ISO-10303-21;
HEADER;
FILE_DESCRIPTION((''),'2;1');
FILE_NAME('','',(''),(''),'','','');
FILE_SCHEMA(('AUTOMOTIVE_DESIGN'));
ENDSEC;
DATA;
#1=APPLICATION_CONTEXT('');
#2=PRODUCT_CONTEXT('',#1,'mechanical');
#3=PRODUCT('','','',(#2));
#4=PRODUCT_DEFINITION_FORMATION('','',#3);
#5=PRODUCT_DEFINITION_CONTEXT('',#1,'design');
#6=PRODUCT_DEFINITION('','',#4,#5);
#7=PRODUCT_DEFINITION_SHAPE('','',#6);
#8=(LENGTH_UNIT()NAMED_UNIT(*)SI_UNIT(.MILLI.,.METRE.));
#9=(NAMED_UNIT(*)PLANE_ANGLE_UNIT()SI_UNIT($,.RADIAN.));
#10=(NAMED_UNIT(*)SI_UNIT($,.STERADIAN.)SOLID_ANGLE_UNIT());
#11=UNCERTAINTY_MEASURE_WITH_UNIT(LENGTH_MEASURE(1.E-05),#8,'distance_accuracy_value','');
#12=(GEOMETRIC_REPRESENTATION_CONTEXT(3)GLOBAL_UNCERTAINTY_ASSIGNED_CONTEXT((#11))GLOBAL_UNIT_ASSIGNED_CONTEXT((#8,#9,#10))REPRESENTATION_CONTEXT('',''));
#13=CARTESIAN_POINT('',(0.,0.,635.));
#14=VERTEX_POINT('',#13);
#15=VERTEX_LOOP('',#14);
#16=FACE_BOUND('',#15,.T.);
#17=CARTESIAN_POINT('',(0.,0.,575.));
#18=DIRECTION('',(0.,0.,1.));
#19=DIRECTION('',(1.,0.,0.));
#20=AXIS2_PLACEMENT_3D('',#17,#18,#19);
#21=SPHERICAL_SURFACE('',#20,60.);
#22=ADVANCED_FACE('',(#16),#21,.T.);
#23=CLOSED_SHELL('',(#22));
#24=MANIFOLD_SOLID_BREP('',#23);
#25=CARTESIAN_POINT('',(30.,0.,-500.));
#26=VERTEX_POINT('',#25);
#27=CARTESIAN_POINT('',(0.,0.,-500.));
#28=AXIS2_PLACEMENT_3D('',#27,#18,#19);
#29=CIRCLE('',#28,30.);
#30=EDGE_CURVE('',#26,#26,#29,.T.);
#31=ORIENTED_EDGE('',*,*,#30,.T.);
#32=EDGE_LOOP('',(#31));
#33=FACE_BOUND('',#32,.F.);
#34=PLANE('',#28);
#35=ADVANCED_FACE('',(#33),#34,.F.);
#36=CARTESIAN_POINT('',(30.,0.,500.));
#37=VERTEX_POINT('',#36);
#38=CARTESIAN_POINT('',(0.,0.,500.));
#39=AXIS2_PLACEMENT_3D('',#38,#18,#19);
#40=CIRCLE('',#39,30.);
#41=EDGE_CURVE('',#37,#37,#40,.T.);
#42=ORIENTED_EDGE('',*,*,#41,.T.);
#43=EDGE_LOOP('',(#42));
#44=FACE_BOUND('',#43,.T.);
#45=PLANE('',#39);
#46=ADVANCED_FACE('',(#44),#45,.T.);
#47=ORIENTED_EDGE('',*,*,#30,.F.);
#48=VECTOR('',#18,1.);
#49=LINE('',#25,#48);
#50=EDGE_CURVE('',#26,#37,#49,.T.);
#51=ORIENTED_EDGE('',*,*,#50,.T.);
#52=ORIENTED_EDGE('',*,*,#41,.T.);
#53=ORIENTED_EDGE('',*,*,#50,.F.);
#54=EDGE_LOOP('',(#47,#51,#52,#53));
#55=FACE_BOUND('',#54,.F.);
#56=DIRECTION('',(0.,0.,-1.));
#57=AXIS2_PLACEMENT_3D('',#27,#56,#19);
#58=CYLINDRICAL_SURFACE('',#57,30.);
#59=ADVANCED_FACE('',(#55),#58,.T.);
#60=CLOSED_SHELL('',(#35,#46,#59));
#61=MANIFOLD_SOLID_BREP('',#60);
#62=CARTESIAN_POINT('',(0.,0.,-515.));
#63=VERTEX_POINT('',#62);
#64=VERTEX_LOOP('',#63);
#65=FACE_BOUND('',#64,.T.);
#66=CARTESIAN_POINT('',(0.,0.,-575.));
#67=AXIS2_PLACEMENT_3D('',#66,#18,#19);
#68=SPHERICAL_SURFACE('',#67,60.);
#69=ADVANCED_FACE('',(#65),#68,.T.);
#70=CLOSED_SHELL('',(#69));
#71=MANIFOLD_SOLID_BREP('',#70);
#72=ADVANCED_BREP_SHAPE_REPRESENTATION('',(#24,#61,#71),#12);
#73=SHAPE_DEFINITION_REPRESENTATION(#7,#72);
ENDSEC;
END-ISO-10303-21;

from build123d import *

# Parameters (mm, degrees)
CYLINDER_R     = 30
CYLINDER_DEPTH = 1000


with BuildPart() as sphere:
    # sphere → sphere (revolve)
    with BuildSketch(Plane(origin=(0, 0, -575), x_dir=(1, 0, 0), z_dir=(0, -1, 0))):
        with BuildLine():
            ThreePointArc((0, -60), (60, 0), (0, 60))
            Line((0, 60), (0, -60))
        make_face()
    revolve(axis=Axis((0, 0, -575), (0, 0, 1)))


with BuildPart() as sphere001:
    # sphere001 → sphere001 (revolve)
    with BuildSketch(Plane(origin=(0, 0, 575), x_dir=(1, 0, 0), z_dir=(0, -1, 0))):
        with BuildLine():
            ThreePointArc((0, -60), (60, 0), (0, 60))
            Line((0, 60), (0, -60))
        make_face()
    revolve(axis=Axis((0, 0, 575), (0, 0, 1)))


with BuildPart() as union:
    # cylinder → cylinder (new body)
    with BuildSketch(Plane.XY.offset(-500)):
        Circle(CYLINDER_R)
    extrude(amount=CYLINDER_DEPTH)

    # union: union sphere, sphere001
    add(sphere.part)
    add(sphere001.part)


solid = union.part
